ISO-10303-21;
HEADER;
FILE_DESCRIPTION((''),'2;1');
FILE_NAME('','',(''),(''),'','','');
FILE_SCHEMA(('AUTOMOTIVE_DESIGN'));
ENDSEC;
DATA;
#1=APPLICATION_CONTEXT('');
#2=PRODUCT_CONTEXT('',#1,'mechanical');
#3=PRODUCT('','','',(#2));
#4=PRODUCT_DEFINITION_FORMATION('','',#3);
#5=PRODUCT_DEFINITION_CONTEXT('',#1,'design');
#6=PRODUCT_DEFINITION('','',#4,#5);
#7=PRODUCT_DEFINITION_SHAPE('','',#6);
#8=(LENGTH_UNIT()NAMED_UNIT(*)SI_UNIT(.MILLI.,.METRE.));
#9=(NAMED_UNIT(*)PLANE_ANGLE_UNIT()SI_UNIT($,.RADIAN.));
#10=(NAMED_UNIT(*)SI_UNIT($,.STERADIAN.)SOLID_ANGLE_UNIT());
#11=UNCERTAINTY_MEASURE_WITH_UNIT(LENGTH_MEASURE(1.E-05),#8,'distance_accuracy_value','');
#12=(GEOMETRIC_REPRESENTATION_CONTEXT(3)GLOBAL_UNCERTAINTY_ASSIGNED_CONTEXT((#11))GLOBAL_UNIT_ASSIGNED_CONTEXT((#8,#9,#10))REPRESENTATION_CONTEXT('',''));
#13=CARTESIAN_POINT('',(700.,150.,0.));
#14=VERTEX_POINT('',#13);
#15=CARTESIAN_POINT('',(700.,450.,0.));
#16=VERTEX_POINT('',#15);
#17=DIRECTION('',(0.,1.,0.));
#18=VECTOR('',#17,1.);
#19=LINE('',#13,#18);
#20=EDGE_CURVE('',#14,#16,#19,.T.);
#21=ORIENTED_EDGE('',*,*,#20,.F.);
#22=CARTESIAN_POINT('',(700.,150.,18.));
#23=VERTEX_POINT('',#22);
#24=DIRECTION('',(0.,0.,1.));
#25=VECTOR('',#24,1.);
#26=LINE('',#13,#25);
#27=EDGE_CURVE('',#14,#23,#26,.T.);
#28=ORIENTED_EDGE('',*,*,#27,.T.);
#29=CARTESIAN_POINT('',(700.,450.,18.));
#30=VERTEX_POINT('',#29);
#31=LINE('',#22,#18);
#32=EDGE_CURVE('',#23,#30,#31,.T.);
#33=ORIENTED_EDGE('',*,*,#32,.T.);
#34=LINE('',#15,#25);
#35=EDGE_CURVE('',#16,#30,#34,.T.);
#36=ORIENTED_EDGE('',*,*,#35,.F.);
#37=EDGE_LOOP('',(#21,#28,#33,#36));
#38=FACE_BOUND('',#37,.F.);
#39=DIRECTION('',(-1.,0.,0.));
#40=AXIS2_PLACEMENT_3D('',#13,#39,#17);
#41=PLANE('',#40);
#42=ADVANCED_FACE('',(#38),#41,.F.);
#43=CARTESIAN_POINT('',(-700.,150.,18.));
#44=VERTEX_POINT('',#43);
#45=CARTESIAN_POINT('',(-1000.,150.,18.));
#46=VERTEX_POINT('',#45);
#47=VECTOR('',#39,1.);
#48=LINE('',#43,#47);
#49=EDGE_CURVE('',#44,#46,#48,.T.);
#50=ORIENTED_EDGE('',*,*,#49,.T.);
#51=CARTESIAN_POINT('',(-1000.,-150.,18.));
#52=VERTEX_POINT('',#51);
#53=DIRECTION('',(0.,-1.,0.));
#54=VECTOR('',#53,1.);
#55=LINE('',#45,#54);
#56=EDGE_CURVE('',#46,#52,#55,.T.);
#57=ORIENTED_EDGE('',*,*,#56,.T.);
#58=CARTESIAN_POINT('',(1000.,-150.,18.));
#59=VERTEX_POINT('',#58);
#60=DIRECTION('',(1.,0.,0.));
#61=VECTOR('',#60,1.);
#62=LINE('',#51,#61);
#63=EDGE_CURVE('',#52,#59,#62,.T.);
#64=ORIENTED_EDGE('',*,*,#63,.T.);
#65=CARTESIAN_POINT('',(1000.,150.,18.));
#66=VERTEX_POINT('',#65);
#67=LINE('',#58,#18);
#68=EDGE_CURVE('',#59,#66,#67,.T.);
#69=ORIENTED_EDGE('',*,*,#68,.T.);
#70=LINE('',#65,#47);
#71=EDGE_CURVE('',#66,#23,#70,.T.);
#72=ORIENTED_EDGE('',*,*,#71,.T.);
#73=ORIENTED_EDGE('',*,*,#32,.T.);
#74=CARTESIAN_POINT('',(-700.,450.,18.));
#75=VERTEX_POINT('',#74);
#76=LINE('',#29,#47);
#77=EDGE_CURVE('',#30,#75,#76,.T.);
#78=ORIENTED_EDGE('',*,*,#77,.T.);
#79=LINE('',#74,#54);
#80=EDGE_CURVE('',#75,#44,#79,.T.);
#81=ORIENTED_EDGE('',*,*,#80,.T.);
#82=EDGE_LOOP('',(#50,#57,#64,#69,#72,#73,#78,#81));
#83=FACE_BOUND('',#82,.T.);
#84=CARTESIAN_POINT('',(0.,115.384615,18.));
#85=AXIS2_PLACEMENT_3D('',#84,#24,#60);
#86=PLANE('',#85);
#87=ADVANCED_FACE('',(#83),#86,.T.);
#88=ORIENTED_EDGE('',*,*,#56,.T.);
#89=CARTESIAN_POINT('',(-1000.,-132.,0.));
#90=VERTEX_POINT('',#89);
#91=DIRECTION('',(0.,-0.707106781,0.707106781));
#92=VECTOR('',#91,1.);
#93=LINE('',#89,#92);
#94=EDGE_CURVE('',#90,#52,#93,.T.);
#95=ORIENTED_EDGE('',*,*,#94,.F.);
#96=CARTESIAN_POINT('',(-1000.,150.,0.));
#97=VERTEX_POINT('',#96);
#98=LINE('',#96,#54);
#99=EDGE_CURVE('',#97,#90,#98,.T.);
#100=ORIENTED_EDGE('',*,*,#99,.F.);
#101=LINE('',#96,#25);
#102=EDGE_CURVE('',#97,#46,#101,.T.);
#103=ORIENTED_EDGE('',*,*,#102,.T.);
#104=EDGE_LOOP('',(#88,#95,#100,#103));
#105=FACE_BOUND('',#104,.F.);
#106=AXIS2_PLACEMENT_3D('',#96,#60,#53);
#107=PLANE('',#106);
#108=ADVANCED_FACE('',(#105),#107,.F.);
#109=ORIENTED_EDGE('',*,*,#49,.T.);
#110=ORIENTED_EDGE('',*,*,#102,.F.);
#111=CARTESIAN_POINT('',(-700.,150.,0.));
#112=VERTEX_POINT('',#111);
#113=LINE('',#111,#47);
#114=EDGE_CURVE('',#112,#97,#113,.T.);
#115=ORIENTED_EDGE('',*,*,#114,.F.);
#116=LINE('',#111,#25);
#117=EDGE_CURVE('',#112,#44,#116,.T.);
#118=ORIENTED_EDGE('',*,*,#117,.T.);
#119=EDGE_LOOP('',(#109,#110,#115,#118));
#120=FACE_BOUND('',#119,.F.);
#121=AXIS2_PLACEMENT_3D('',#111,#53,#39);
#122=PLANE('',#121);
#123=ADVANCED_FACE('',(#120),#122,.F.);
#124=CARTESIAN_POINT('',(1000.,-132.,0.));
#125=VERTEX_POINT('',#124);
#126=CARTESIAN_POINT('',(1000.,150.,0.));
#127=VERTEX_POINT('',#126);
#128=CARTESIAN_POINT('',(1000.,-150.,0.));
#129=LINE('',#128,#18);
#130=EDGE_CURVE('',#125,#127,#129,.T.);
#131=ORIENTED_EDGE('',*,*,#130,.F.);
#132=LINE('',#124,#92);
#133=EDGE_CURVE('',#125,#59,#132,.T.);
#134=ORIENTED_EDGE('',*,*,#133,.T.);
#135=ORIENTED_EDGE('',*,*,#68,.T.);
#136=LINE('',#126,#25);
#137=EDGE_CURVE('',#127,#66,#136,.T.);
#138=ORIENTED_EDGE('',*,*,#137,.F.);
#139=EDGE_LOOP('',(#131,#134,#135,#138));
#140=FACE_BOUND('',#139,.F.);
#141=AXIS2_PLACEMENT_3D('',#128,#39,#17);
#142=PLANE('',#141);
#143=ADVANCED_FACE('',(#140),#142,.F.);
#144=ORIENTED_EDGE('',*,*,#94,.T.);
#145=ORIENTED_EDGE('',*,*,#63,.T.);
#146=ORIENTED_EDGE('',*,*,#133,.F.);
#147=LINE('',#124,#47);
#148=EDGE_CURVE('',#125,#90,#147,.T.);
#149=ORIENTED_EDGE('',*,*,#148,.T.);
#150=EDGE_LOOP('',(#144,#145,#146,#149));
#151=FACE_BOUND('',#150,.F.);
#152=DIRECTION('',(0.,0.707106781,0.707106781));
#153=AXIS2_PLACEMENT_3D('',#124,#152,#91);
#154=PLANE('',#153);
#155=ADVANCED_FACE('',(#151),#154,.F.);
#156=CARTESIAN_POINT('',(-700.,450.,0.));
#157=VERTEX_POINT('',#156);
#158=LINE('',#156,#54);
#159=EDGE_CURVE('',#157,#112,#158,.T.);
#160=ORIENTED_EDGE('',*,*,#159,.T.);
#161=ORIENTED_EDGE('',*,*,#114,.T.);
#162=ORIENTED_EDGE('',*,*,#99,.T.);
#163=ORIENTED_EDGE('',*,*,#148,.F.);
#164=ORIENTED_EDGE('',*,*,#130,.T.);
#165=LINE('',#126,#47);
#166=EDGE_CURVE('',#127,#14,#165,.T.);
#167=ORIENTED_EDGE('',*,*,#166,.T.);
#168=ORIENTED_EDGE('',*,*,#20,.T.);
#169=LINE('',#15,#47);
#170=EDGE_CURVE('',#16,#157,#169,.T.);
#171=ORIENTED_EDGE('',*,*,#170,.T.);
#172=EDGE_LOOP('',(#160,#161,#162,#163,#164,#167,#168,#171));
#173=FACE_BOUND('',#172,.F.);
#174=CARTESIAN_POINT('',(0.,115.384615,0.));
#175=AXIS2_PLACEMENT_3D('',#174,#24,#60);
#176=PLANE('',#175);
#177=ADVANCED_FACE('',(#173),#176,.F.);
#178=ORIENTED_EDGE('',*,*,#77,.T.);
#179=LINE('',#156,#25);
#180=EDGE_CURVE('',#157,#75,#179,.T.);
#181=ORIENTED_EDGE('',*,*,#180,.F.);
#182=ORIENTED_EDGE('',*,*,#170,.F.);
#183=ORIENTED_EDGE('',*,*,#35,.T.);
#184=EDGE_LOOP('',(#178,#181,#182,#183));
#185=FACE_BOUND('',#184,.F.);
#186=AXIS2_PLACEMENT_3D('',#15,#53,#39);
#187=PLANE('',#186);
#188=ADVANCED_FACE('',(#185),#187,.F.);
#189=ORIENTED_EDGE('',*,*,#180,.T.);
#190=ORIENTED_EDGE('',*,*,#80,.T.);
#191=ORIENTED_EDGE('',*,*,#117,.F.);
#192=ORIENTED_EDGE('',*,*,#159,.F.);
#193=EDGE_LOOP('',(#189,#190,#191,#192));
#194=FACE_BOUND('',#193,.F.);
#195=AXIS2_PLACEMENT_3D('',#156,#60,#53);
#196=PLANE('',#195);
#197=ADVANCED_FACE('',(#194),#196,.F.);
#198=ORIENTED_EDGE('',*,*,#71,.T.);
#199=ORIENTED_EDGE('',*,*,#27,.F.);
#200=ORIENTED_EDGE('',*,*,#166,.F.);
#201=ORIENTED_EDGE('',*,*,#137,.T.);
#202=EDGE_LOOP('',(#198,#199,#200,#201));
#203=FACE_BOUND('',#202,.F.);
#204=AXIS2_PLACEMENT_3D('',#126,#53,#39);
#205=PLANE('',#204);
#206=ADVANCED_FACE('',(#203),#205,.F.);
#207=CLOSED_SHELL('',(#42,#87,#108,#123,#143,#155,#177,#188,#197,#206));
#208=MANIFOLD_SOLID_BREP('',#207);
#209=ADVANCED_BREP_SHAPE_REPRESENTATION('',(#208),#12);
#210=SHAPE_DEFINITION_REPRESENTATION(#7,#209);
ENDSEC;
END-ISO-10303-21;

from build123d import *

# Parameters (mm, degrees)
F1_DEPTH = 18
F3_DEPTH = 2000


with BuildPart() as f1:
    # F0 (on Top) → F1 (new body)
    with BuildSketch(Plane.XY):
        Polygon((1000, -150), (1000, 150), (700, 150), (700, 450), (-700, 450), (-700, 150), (-1000, 150), (-1000, -150), align=None)
    extrude(amount=F1_DEPTH)

    # F2 (on face) → F3 (cut)
    with BuildSketch(Plane.YZ.offset(1000)):
        Polygon((-132, 0), (-150, 18), (-150, 0), align=None)
    extrude(amount=-F3_DEPTH, mode=Mode.SUBTRACT)


solid = f1.part
